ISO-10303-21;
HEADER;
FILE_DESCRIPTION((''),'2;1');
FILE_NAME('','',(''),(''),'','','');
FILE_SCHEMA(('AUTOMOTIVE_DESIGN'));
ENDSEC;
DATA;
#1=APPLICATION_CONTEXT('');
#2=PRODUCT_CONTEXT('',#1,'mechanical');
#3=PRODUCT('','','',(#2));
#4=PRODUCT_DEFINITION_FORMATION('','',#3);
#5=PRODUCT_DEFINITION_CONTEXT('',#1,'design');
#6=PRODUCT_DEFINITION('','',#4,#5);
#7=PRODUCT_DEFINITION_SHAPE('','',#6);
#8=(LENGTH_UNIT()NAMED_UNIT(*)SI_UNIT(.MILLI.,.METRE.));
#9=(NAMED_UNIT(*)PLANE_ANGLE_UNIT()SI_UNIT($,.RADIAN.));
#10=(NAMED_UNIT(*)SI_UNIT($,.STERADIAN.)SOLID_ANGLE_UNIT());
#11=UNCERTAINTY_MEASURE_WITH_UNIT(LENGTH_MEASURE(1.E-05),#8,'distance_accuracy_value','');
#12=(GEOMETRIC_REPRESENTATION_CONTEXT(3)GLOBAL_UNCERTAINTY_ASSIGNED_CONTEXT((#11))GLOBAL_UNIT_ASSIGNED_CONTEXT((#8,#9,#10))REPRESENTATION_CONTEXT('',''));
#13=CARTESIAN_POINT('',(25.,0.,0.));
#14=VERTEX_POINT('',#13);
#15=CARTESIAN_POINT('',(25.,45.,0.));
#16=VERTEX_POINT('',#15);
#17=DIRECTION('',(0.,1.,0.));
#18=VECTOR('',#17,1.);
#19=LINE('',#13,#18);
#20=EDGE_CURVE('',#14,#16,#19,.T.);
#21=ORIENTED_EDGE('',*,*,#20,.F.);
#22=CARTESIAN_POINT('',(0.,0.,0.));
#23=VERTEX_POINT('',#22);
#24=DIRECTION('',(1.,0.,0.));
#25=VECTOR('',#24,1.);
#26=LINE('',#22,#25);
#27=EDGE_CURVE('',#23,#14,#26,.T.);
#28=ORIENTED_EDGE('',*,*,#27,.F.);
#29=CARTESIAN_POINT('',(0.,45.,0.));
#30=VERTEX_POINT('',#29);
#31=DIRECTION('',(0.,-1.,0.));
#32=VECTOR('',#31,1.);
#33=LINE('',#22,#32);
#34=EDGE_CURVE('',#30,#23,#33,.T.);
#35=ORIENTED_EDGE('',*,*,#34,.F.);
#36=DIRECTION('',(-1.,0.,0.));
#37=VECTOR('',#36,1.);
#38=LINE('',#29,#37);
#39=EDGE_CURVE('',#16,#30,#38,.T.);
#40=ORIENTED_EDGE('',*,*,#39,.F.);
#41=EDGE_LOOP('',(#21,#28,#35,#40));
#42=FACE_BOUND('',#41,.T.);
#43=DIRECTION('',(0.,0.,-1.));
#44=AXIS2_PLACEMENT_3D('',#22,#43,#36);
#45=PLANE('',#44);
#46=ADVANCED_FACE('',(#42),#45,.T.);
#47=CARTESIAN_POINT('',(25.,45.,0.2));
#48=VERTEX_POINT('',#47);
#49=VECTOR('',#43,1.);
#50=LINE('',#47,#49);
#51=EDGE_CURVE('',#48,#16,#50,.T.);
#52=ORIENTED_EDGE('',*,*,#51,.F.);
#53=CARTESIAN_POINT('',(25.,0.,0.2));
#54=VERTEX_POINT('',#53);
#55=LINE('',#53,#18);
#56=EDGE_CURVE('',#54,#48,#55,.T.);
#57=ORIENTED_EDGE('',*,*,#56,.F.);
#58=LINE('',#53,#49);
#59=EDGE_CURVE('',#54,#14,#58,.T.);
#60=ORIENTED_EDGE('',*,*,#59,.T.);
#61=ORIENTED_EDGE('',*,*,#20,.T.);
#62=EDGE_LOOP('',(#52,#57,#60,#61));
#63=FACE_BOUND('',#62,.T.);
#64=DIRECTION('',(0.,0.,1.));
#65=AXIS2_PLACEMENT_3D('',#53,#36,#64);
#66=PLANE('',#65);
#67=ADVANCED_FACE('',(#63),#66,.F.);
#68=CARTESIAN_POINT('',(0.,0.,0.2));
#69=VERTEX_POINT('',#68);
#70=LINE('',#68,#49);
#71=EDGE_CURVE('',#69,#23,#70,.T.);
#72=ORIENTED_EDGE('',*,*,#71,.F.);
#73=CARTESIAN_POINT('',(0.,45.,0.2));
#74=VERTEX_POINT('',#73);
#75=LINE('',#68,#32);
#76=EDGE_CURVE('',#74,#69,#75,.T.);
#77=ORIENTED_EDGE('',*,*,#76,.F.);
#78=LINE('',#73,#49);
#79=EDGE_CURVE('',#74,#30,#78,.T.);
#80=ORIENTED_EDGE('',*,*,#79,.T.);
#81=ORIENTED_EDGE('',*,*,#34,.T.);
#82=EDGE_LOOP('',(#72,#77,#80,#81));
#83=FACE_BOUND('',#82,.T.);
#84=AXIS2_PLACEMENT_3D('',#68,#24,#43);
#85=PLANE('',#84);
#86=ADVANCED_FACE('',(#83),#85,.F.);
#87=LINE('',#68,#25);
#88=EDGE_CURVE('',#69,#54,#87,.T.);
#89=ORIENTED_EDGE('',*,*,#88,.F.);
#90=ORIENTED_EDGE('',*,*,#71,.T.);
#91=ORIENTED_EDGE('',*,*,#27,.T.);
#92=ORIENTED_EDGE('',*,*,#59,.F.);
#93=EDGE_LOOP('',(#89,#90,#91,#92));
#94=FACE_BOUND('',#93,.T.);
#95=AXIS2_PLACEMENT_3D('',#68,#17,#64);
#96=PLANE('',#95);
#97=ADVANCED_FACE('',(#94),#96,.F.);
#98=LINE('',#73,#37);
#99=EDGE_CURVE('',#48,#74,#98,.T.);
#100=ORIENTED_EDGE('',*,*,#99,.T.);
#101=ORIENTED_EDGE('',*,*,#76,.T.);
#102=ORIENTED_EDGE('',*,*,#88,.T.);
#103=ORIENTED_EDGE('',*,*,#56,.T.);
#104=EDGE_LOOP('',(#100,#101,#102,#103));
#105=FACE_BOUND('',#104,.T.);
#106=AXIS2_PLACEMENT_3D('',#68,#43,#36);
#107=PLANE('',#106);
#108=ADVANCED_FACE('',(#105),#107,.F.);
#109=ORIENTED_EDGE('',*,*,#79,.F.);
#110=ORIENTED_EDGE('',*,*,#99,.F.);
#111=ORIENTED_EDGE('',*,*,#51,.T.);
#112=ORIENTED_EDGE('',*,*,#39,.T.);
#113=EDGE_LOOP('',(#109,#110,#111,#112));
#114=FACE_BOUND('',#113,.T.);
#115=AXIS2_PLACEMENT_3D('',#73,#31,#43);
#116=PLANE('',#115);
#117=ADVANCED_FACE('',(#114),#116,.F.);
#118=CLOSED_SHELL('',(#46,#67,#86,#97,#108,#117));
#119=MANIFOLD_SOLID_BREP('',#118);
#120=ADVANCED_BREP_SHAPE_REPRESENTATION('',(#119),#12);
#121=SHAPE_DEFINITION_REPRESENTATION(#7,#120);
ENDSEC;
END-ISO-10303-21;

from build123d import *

# Parameters (mm, degrees)
SKETCH_1_W      = 25
SKETCH_1_H      = 45
EXTRUDE_1_DEPTH = 0.2


with BuildPart() as part:
    # 스케치1 → 보스-돌출1 (new body)
    with BuildSketch(Plane.XY):
        with Locations((12.5, 22.5)):
            Rectangle(SKETCH_1_W, SKETCH_1_H)
    extrude(amount=EXTRUDE_1_DEPTH)


solid = part.part
